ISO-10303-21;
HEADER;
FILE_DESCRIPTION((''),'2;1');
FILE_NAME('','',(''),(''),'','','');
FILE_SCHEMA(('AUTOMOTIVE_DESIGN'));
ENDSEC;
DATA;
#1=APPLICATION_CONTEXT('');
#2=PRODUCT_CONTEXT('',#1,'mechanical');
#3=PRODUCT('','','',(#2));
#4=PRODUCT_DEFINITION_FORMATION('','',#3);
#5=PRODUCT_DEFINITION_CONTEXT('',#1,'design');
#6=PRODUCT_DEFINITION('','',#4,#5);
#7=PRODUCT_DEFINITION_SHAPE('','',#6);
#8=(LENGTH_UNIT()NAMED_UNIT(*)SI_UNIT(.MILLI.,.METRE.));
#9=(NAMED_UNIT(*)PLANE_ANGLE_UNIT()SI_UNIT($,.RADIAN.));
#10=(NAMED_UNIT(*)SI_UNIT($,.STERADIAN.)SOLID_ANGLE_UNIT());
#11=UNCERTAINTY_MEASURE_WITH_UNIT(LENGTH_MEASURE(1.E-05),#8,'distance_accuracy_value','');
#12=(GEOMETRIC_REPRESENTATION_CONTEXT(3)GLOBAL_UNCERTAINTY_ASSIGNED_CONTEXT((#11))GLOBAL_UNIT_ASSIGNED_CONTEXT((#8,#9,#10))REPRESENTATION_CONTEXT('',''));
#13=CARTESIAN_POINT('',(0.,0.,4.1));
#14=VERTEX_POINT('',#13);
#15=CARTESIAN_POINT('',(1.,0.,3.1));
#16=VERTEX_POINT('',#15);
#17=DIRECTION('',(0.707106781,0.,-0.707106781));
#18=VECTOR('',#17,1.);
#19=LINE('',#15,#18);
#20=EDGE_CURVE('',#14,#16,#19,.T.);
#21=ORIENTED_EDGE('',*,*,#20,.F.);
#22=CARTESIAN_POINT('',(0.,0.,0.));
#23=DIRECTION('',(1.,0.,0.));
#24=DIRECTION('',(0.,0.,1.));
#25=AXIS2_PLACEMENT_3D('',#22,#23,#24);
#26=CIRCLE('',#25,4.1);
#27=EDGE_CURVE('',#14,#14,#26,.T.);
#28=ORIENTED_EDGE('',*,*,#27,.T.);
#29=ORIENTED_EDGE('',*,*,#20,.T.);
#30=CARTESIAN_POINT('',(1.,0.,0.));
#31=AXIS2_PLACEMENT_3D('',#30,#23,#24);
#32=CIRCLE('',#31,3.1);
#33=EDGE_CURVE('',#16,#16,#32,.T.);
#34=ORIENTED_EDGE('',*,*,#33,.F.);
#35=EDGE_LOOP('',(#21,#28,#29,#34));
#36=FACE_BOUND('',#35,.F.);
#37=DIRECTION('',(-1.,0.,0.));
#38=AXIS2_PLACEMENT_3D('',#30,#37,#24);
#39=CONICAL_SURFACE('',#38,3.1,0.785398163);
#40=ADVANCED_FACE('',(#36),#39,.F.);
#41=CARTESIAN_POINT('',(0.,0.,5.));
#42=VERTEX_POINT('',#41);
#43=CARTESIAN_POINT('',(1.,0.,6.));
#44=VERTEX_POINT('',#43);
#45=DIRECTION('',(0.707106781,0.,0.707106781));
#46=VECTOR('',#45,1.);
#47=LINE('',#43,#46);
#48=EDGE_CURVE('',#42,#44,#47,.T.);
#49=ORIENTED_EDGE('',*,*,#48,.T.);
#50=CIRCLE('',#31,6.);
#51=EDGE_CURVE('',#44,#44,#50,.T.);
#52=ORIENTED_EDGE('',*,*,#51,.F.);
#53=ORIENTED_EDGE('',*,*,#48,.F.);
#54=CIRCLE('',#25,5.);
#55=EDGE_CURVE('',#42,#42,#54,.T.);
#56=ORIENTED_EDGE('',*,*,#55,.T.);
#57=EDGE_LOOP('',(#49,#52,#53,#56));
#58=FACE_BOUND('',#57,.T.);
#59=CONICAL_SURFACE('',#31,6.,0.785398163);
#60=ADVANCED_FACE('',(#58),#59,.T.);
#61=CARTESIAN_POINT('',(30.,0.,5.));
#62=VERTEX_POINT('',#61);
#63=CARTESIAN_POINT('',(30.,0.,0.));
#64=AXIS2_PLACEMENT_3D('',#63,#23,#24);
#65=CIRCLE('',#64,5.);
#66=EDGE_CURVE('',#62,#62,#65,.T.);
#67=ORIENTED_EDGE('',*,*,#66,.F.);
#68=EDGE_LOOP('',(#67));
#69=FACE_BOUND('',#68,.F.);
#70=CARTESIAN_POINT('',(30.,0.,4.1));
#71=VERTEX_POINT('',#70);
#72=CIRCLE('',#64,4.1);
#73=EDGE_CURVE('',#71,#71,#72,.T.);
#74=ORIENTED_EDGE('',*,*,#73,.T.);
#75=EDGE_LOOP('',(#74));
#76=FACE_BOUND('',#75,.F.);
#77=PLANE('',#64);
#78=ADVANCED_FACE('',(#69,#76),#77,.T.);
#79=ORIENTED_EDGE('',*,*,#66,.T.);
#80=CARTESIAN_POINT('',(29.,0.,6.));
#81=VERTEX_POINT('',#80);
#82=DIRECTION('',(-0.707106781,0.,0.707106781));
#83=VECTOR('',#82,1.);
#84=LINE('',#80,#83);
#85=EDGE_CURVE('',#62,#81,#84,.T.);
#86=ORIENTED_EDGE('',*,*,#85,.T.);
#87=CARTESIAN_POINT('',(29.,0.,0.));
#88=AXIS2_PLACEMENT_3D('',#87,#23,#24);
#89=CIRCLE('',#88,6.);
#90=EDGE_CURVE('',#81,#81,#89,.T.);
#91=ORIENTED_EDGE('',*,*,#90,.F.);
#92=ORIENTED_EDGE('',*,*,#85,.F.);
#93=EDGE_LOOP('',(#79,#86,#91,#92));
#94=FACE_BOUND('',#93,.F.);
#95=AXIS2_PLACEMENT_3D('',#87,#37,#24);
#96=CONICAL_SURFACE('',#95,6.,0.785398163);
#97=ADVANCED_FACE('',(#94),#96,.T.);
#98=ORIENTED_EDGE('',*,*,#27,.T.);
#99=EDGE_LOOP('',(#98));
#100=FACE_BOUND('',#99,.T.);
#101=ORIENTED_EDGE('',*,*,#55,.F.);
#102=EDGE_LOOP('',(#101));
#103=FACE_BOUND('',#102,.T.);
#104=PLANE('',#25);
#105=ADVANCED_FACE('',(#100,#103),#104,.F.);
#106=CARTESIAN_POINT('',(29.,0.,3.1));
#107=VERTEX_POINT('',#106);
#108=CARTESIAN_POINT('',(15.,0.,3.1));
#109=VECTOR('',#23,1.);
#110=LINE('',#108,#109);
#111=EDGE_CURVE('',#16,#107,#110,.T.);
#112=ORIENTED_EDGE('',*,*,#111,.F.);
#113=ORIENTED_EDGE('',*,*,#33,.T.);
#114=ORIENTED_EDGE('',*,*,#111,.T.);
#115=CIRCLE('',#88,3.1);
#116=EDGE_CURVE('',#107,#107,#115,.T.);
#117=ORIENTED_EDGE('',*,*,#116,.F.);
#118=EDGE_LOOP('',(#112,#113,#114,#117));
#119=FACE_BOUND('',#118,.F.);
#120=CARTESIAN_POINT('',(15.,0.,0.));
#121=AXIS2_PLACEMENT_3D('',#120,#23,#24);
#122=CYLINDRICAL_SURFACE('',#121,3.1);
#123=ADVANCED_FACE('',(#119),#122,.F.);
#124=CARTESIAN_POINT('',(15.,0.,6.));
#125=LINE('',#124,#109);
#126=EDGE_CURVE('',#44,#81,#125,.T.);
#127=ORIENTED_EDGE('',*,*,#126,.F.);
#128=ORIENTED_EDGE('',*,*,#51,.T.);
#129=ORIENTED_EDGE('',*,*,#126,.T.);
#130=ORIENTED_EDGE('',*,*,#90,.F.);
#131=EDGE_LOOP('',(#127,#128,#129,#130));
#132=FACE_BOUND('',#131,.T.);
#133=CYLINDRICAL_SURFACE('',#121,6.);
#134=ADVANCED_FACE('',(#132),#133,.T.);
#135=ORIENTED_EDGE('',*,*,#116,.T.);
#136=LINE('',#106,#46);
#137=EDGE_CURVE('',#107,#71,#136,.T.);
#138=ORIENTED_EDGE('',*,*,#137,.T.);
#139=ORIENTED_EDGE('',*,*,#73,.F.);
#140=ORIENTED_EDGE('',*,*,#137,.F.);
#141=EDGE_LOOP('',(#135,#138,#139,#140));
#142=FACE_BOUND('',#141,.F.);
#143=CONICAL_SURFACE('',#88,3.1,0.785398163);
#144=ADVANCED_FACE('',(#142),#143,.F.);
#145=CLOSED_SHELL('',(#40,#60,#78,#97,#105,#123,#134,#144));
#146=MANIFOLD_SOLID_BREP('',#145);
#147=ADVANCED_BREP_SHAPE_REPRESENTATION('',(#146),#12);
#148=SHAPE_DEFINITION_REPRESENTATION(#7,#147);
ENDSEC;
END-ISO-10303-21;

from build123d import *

# Parameters (mm, degrees)
F0_W    = 30
F0_H    = 2.9
F2_SIZE = 1


with BuildPart() as f1:
    # F0 (on Front) → F1 (revolve)
    with BuildSketch(Plane.XZ):
        with Locations((15, 4.55)):
            Rectangle(F0_W, F0_H)
    revolve(axis=Axis((16.817251, 0, 0), (1, 0, 0)))

    # F2
    f2_edges = [f1.edges().sort_by_distance(p)[0] for p in [
        (30, 0, -3.1),
        (30, 0, -6),
        (0, 0, -6),
        (0, 0, -3.1),
    ]]
    chamfer(f2_edges, length=F2_SIZE)


solid = f1.part
